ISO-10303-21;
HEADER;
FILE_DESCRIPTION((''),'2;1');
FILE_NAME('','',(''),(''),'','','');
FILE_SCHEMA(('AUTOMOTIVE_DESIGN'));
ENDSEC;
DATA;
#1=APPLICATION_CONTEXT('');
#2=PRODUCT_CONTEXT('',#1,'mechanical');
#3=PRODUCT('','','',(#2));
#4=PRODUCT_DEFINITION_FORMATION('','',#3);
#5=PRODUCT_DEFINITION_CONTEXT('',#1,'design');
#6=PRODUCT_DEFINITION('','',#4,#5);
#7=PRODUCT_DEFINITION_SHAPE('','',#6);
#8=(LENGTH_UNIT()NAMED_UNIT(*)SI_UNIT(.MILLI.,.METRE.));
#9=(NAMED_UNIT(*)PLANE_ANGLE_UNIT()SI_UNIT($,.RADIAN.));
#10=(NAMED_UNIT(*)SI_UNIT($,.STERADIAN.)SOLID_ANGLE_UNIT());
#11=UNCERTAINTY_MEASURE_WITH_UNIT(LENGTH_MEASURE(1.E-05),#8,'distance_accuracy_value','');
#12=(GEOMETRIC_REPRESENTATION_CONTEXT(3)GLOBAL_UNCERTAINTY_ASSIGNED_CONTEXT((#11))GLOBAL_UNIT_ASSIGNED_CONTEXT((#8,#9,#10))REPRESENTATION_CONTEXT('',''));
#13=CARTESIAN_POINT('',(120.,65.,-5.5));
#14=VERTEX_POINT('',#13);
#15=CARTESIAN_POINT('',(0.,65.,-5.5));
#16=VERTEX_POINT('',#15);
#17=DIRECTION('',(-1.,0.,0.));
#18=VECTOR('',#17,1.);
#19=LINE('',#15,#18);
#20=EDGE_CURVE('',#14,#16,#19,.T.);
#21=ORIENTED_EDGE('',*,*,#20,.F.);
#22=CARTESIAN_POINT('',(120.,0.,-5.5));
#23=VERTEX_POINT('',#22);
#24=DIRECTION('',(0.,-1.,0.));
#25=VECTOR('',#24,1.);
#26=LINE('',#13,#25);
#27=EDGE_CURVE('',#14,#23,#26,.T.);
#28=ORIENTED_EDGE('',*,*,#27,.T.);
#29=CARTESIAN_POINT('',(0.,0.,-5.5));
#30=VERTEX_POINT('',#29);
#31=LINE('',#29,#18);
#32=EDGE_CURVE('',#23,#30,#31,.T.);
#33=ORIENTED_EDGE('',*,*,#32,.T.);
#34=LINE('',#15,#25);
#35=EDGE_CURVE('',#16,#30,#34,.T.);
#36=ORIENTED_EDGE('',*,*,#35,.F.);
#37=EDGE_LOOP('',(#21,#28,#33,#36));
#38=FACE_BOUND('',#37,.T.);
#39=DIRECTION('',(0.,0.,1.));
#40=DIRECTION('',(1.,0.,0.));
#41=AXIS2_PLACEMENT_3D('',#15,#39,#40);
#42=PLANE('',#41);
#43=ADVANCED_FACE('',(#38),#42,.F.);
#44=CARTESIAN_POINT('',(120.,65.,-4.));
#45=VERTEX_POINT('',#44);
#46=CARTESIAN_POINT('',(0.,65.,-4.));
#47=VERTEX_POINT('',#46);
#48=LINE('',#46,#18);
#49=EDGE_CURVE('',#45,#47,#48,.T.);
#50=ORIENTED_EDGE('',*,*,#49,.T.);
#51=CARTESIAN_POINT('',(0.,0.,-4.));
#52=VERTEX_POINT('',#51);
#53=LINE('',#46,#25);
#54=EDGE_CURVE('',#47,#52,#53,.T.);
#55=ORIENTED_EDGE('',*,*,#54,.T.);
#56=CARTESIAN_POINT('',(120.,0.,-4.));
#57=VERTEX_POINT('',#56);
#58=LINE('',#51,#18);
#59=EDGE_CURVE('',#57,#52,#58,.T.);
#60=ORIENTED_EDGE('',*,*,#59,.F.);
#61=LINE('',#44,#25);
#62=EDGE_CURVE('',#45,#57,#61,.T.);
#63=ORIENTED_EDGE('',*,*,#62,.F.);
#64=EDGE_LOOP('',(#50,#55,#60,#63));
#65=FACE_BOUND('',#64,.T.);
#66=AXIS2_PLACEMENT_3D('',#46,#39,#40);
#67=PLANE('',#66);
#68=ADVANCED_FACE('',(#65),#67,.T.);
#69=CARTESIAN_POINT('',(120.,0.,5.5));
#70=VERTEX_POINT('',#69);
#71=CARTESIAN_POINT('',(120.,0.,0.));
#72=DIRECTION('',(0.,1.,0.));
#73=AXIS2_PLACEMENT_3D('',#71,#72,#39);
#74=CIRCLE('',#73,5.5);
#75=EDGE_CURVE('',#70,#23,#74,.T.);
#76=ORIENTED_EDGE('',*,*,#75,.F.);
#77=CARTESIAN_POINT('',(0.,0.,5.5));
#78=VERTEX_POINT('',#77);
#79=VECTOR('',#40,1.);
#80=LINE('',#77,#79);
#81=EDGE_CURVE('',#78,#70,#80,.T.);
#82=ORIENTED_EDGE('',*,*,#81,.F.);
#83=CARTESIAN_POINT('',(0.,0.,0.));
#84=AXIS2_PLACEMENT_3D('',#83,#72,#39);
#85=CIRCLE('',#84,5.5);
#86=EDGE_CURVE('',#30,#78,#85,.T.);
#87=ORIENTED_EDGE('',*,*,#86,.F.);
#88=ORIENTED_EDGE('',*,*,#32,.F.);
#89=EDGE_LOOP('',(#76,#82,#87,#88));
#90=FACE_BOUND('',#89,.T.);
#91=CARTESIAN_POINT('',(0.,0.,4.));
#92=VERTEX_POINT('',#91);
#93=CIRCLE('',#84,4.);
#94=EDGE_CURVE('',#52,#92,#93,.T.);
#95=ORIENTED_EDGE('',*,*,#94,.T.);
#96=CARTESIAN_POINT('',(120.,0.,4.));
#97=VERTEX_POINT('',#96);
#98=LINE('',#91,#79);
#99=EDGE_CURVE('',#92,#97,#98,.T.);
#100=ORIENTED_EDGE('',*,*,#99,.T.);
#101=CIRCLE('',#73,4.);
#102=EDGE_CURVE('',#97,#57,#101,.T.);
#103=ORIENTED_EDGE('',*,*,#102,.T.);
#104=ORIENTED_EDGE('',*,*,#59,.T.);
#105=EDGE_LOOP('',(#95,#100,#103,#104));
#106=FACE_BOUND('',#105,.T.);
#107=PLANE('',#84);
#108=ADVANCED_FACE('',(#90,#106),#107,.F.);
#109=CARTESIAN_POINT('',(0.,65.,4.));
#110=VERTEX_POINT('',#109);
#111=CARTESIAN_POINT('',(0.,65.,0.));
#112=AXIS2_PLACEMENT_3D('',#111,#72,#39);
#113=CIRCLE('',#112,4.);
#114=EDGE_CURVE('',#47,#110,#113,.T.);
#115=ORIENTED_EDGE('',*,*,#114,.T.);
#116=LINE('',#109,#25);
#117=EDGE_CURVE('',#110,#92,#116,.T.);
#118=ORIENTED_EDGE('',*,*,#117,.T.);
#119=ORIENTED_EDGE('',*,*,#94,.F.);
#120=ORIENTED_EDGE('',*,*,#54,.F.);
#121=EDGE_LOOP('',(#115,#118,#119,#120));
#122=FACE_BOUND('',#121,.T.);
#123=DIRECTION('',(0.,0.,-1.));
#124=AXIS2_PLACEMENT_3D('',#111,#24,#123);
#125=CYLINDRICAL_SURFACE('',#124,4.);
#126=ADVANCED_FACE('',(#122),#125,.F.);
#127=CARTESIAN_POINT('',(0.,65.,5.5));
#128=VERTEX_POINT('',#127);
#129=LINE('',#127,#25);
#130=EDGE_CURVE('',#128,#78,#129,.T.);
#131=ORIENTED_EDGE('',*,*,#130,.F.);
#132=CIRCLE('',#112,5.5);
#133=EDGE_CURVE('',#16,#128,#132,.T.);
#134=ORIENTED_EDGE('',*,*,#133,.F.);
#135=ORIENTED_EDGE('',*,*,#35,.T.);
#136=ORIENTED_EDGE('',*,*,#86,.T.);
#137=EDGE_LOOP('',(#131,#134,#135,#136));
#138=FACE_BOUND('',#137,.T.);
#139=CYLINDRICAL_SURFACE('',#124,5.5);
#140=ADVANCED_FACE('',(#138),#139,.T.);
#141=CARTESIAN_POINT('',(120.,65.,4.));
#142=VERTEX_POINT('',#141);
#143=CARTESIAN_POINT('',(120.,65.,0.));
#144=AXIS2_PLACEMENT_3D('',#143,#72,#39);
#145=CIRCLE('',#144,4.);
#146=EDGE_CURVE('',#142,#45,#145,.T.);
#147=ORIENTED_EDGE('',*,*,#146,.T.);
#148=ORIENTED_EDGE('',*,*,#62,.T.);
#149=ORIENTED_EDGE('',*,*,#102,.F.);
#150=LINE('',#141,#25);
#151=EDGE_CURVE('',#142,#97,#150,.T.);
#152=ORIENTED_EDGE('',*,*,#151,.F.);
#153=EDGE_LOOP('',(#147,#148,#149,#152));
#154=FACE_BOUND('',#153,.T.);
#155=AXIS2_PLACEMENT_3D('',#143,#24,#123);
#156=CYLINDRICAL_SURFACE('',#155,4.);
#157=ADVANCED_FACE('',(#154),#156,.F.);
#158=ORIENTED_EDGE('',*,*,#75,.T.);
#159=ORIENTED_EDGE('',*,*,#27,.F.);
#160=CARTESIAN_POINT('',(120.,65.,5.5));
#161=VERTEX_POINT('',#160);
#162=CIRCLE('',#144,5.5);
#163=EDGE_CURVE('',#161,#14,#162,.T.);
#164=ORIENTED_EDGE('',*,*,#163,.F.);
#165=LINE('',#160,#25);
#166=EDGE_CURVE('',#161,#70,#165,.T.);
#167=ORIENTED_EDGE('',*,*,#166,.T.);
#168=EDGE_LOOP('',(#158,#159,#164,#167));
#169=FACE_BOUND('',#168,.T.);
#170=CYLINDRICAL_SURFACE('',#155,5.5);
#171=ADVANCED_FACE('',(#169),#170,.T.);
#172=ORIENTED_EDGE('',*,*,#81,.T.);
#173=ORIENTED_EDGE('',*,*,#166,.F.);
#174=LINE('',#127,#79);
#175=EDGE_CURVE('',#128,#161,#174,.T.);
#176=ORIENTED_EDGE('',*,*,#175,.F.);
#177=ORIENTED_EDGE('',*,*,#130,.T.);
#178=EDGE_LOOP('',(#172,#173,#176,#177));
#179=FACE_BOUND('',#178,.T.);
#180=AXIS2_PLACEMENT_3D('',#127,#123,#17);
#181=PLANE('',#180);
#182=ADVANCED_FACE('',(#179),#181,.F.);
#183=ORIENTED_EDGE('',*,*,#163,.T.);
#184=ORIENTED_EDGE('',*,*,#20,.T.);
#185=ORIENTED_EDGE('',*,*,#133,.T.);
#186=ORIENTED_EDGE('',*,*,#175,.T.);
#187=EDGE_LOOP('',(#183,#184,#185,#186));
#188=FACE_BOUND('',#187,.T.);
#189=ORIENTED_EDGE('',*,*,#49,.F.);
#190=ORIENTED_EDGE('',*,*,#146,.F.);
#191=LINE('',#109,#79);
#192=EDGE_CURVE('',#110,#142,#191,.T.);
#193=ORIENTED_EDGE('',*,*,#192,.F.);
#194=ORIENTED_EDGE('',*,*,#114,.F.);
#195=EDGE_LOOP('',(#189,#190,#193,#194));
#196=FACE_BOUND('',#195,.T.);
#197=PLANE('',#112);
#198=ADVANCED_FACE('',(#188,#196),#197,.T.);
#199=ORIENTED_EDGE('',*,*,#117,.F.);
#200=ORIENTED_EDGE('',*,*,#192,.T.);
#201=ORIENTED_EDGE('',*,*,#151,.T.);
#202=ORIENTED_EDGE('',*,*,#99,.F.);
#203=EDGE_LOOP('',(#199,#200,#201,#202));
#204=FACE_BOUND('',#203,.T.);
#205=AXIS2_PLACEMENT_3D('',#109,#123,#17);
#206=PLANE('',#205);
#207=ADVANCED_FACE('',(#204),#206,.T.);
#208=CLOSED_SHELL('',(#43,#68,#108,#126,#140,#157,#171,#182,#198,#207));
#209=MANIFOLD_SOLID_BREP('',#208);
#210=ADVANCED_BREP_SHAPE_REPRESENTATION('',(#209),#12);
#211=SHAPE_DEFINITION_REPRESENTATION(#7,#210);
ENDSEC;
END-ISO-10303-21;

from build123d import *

# Parameters (mm, degrees)
BOSS_EXTRUDE1_DEPTH = 65


with BuildPart() as part:
    # Sketch1 → Boss-Extrude1 (new body)
    with BuildSketch(Plane(origin=(0, 0, 0), x_dir=(1, 0, 0), z_dir=(0, 1, 0))):
        with BuildLine():
            Line((0, 5.5), (120, 5.5))
            ThreePointArc((120, 5.5), (125.5, 0), (120, -5.5))
            Line((120, -5.5), (0, -5.5))
            ThreePointArc((0, -5.5), (-5.5, 0), (0, 5.5))
        make_face()
        with BuildLine():
            Line((0, 4), (120, 4))
            ThreePointArc((120, 4), (124, 0), (120, -4))
            Line((120, -4), (0, -4))
            ThreePointArc((0, -4), (-4, 0), (0, 4))
        make_face(mode=Mode.SUBTRACT)
    extrude(amount=BOSS_EXTRUDE1_DEPTH)


solid = part.part
